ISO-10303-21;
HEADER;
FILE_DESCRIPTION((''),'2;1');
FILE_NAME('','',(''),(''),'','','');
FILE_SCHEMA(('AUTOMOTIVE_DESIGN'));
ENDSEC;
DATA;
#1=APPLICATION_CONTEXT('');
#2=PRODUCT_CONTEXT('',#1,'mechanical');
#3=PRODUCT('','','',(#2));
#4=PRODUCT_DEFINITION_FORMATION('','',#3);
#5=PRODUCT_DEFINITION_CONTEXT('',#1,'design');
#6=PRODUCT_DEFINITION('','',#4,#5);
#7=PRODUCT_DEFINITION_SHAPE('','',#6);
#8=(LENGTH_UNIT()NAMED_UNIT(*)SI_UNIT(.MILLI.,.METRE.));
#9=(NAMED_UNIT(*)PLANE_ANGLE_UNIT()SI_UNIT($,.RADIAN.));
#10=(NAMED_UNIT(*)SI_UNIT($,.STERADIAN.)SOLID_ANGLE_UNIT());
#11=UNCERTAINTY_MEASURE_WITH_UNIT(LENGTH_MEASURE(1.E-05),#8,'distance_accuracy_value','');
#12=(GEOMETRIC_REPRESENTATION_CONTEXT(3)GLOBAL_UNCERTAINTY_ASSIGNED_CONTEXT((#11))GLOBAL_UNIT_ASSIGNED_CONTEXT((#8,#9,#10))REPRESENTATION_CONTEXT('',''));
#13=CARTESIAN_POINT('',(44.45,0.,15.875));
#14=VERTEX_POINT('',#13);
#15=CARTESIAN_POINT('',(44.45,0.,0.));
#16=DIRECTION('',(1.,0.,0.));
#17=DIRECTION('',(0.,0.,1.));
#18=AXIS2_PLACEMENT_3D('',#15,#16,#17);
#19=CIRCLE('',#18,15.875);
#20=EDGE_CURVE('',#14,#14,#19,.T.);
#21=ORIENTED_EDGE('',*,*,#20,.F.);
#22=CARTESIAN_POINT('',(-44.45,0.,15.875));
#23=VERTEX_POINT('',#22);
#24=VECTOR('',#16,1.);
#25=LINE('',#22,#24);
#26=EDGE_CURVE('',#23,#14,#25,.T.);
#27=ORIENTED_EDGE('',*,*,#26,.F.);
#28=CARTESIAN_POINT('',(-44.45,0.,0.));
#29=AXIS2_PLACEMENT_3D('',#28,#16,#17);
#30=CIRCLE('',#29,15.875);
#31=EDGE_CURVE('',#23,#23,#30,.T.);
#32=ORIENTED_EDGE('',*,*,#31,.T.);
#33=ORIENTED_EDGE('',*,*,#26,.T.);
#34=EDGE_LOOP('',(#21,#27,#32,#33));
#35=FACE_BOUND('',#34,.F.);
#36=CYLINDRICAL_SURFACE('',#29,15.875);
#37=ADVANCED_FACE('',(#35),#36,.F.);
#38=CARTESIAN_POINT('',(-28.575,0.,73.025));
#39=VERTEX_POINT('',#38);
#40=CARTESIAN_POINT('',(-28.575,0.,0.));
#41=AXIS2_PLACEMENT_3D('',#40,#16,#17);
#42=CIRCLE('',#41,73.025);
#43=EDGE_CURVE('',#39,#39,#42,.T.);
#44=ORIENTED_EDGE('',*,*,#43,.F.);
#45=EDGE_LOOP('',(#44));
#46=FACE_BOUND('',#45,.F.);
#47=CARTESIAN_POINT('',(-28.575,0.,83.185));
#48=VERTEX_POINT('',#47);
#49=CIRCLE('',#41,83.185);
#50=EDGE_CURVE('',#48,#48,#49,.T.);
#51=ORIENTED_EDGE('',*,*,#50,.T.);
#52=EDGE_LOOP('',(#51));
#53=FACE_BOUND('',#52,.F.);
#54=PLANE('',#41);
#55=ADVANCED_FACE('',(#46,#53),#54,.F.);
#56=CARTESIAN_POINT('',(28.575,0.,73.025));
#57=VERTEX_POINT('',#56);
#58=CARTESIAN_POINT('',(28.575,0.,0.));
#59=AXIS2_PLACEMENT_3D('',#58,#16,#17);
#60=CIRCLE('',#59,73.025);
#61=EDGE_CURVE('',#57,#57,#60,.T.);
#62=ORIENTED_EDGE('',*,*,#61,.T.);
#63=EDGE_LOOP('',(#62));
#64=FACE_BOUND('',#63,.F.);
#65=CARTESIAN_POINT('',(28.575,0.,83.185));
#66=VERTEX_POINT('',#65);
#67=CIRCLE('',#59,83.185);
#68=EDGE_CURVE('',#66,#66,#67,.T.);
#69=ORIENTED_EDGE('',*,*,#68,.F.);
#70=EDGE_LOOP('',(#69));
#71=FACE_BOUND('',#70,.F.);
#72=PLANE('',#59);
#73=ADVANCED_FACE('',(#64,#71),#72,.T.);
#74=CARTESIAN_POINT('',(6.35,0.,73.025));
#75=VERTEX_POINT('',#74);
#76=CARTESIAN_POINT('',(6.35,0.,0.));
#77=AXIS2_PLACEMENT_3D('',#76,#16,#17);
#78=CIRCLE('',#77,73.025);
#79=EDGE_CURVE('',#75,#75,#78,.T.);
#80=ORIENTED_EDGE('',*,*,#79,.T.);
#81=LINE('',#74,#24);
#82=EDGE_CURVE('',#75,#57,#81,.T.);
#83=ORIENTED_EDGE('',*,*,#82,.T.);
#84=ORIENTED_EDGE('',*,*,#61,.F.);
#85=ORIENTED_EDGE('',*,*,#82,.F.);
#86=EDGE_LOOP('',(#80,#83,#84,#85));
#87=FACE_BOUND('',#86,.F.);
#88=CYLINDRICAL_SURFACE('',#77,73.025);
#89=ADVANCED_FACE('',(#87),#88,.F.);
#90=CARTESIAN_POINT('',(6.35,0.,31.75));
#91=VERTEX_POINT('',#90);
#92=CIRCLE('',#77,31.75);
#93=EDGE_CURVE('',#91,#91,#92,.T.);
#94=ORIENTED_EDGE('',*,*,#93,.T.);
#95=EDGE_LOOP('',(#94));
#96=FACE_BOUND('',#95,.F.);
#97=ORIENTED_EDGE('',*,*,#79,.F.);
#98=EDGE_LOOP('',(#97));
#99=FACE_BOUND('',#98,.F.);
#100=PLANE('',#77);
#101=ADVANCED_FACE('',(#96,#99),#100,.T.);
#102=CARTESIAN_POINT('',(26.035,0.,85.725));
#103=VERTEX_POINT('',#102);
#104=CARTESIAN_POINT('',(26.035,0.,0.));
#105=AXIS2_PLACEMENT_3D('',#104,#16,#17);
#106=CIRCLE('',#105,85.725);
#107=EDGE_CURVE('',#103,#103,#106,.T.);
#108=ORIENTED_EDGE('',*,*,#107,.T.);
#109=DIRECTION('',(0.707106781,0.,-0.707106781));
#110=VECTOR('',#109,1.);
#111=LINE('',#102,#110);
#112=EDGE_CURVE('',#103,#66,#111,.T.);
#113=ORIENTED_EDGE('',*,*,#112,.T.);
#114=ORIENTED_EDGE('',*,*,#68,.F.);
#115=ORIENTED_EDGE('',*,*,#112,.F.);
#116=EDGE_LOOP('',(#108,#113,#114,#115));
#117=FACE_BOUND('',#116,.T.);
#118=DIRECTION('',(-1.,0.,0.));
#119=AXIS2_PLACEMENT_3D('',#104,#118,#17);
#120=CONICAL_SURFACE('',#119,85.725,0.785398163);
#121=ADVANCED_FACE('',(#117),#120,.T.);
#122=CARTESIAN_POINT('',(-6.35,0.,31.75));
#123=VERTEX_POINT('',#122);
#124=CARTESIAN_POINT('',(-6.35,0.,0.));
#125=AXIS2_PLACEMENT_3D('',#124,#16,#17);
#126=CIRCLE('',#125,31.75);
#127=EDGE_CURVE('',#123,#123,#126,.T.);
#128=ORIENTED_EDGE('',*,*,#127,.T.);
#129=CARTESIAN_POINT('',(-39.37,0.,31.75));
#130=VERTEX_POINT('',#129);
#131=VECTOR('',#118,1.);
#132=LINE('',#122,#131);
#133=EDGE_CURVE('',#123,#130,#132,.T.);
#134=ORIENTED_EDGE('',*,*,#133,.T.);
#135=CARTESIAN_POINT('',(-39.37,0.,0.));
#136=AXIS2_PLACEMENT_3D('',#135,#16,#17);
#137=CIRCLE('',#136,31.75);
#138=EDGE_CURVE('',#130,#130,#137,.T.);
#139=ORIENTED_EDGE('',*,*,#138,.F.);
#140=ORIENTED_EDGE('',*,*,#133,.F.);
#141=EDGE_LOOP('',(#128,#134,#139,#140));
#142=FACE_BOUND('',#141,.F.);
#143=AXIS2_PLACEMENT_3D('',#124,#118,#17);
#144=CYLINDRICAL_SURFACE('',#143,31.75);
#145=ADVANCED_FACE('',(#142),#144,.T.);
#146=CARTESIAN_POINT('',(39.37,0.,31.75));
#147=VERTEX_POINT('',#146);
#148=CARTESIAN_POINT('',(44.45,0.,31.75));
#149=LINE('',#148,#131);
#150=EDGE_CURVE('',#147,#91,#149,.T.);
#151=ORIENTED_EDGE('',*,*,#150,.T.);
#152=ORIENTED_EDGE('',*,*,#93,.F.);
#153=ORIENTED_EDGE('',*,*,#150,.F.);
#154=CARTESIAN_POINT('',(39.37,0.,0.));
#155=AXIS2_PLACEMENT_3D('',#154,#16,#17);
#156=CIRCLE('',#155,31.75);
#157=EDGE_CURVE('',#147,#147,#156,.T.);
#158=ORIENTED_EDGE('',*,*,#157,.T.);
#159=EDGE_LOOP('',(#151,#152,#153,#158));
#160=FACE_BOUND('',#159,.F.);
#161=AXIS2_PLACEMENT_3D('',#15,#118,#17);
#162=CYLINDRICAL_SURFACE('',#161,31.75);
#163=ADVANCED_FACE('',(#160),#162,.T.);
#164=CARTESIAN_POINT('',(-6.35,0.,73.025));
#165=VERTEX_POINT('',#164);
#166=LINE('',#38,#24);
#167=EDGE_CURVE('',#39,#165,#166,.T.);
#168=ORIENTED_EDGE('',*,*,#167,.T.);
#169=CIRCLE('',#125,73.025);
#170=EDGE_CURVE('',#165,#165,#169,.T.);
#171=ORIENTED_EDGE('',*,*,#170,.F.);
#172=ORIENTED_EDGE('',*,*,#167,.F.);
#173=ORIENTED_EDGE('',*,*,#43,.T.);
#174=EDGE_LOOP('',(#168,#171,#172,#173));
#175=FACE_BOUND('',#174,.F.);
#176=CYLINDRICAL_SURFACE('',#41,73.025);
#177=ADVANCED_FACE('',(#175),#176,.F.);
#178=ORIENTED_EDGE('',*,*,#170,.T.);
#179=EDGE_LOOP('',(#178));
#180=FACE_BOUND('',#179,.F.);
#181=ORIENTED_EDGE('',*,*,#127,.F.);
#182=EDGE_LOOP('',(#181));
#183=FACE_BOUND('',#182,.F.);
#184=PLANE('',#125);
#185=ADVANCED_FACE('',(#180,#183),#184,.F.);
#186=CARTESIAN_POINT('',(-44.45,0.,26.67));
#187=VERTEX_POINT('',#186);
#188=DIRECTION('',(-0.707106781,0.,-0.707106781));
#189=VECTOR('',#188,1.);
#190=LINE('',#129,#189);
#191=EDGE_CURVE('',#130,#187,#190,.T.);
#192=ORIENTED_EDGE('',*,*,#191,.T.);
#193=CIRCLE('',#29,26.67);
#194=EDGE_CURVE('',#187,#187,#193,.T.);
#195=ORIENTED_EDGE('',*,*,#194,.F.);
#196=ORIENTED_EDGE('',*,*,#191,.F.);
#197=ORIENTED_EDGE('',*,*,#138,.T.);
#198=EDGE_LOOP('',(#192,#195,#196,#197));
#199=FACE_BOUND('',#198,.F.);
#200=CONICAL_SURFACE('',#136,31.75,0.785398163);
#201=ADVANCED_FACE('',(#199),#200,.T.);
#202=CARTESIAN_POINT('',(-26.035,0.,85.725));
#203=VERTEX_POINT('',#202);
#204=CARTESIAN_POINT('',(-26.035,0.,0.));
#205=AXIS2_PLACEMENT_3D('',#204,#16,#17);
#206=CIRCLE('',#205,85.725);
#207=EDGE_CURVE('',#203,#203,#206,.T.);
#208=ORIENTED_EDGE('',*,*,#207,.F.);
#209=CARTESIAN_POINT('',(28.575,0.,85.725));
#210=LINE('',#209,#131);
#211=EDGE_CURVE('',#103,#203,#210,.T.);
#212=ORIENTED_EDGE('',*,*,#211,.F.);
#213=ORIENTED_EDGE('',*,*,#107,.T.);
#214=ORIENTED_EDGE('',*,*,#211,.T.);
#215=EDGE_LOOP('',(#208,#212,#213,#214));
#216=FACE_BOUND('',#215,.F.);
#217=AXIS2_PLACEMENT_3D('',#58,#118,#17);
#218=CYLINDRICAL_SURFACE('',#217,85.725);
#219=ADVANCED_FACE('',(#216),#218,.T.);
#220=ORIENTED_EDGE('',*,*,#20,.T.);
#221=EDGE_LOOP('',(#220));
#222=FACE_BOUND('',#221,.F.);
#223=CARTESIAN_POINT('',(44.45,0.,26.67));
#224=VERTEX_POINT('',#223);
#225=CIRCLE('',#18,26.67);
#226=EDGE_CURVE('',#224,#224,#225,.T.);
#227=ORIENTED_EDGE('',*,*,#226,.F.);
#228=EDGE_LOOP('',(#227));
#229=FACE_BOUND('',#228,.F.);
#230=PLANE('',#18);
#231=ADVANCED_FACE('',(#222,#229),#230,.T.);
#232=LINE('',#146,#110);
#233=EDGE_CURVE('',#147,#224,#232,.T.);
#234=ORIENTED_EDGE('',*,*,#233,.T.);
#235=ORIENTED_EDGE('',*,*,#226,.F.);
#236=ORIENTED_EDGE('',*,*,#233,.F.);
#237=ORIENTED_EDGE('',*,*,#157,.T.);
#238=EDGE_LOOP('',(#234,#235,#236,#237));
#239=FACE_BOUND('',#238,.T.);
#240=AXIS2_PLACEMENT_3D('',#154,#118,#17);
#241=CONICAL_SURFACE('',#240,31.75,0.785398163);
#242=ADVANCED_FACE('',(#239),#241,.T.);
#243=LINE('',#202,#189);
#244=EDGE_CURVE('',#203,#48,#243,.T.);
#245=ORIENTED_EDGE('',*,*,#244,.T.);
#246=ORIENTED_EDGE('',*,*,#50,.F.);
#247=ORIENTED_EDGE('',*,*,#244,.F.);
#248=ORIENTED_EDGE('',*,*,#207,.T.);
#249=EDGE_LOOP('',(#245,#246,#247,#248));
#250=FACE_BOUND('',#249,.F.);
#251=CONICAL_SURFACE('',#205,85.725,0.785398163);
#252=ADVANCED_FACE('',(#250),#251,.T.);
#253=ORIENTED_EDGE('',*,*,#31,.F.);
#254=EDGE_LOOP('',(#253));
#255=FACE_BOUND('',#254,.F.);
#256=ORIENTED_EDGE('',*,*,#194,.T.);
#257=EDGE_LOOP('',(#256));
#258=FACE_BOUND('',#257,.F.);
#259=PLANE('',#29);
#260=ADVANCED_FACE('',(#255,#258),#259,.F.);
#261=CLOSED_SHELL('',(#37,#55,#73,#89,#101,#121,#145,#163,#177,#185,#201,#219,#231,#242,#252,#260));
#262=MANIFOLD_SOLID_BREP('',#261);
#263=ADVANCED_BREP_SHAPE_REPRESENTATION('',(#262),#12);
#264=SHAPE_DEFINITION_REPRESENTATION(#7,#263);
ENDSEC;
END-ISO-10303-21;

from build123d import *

# Parameters (mm, degrees)
F2_SIZE = 2.54
F3_SIZE = 5.08


with BuildPart() as f1:
    # F0 (on Front) → F1 (revolve)
    with BuildSketch(Plane.XZ):
        Polygon((28.575, 85.725), (-28.575, 85.725), (-28.575, 73.025), (-6.35, 73.025), (-6.35, 31.75), (-44.45, 31.75), (-44.45, 15.875), (44.45, 15.875), (44.45, 31.75), (6.35, 31.75), (6.35, 73.025), (28.575, 73.025), align=None)
    revolve(axis=Axis((-1.587497, 0, 0), (1, 0, 0)))

    # F2
    f2_edges = [f1.edges().sort_by_distance(p)[0] for p in [
        (-28.575, 0, -85.725),
        (28.575, 0, -85.725),
    ]]
    chamfer(f2_edges, length=F2_SIZE)

    # F3
    f3_edges = [f1.edges().sort_by_distance(p)[0] for p in [
        (44.45, 0, -31.75),
        (-44.45, 0, -31.75),
    ]]
    chamfer(f3_edges, length=F3_SIZE)


solid = f1.part
